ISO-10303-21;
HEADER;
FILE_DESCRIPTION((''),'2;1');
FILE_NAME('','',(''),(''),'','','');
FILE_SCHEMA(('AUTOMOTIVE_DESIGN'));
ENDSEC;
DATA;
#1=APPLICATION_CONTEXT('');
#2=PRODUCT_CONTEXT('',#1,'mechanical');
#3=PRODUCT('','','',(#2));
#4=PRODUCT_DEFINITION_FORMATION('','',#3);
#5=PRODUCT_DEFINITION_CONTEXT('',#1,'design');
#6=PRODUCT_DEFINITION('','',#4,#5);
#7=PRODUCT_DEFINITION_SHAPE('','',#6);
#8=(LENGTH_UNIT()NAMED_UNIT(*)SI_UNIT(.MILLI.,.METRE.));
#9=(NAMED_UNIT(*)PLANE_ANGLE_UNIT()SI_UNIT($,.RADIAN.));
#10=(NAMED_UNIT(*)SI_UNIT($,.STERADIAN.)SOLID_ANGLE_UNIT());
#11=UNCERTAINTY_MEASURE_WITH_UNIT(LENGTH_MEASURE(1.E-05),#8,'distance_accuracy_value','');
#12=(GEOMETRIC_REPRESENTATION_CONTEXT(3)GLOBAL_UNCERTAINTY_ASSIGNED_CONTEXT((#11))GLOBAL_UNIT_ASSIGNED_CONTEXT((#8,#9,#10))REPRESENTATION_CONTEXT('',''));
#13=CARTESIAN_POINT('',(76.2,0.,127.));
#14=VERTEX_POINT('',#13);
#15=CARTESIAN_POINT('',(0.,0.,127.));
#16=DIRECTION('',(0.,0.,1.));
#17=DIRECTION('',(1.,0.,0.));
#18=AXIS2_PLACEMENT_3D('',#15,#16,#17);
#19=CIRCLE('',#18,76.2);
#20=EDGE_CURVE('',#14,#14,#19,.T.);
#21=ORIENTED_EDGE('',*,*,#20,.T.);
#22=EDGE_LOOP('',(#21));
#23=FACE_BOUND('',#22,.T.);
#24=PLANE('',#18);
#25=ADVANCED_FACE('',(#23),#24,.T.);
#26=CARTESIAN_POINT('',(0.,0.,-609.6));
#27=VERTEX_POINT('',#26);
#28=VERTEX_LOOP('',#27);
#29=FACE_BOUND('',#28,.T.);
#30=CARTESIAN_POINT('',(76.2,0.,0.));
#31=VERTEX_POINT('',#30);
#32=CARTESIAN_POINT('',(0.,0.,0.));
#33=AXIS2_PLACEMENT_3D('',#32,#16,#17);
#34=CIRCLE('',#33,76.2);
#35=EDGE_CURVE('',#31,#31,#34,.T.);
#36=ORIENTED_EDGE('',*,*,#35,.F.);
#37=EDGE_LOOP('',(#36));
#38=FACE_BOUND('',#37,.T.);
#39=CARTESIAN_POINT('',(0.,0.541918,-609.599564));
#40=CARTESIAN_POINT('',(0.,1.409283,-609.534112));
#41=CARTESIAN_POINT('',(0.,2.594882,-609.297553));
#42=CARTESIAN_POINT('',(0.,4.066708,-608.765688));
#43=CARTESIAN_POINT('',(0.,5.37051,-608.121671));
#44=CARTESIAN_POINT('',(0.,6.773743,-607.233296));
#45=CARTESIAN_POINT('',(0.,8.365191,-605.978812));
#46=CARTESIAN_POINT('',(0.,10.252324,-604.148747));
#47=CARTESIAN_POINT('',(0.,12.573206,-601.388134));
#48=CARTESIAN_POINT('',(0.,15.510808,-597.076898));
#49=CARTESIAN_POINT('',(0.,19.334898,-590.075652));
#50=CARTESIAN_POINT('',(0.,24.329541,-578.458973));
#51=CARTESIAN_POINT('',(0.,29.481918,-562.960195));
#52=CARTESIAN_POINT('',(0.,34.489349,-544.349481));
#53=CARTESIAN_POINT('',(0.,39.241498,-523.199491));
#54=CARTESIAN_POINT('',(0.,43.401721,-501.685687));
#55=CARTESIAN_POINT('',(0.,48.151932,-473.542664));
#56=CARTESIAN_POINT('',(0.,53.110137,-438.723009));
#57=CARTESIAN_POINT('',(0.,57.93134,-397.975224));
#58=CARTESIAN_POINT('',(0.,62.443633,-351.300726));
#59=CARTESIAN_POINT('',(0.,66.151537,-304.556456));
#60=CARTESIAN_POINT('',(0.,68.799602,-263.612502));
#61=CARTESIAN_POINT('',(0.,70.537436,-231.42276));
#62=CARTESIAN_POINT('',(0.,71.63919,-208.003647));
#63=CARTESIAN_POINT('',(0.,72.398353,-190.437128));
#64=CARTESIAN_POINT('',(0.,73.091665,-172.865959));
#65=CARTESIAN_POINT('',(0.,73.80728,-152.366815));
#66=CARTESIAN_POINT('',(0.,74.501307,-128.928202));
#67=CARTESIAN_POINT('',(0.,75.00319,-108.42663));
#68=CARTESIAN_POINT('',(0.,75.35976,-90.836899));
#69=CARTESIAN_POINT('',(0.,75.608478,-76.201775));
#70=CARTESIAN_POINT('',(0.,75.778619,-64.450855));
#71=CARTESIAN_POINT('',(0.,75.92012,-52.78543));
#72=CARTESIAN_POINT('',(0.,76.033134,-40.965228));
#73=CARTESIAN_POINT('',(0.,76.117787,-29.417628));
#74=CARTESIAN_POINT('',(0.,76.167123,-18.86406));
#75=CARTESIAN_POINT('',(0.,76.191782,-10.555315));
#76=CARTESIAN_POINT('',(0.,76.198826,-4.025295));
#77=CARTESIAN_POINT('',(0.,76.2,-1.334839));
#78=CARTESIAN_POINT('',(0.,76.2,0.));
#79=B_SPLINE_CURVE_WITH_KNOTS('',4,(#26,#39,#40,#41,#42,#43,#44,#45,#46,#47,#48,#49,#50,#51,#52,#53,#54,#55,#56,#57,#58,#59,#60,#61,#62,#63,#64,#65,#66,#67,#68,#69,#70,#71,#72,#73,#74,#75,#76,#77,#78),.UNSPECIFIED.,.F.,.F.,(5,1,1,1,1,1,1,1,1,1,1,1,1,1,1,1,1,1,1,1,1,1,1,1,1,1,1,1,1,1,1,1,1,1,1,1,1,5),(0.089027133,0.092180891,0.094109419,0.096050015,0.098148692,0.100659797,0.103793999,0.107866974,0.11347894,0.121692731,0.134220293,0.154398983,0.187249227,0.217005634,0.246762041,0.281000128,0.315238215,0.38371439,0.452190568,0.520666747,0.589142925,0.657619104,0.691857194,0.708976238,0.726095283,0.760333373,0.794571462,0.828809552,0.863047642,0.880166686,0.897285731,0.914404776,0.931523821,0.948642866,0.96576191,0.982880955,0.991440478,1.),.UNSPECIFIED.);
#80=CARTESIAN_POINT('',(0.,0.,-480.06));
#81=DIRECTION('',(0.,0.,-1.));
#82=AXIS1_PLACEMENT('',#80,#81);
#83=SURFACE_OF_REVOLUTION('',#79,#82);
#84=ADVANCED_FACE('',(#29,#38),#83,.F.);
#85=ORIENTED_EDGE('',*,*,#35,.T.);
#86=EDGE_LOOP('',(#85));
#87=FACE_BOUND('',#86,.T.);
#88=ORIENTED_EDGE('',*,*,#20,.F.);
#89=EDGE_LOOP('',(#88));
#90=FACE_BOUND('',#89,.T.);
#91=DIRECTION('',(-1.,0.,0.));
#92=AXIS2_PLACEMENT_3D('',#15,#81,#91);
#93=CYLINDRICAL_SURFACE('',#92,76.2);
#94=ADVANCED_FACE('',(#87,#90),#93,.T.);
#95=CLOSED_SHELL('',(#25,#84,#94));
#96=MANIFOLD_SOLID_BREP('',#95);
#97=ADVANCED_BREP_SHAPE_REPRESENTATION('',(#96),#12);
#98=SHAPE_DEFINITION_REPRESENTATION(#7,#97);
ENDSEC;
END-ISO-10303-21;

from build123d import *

# Parameters (mm, degrees)
SKETCH2_R           = 76.2
BOSS_EXTRUDE1_DEPTH = 127


with BuildPart() as part:
    # Sketch1 → Revolve1 (revolve)
    with BuildSketch(Plane(origin=(0, 0, 0), x_dir=(0, 0, -1), z_dir=(1, 0, 0))):
        with BuildLine():
            Line((0, 76.2), (0, 0))
            Line((0, 0), (609.6, 0))
            add(Edge.make_bspline(
                [(0, 76.2), (1.334839127, 76.2), (4.025294656, 76.198825967), (10.555315298, 76.19178178), (18.864059538, 76.167123171), (29.417628107, 76.117787061), (40.965227515, 76.033133769), (52.78542989, 75.920119568), (64.450855104, 75.778619132), (76.201774547, 75.608477807), (90.836898521, 75.359759732), (108.426630228, 75.003190064), (128.928201741, 74.50130726), (152.366814588, 73.807280443), (172.865959474, 73.091665079), (190.437128474, 72.398352623), (208.00364725, 71.639189664), (231.422760316, 70.537435589), (263.612501761, 68.799602068), (304.556456434, 66.151537199), (351.300725766, 62.443633194), (397.975224103, 57.931340388), (438.723008806, 53.110136512), (473.542663933, 48.15193198), (501.685686908, 43.401720584), (523.199490669, 39.241498072), (544.34948081, 34.489348514), (562.960195372, 29.481918023), (578.458973018, 24.329540963), (590.075652245, 19.334897623), (597.076898444, 15.510808376), (601.388134479, 12.573206028), (604.148746676, 10.252323678), (605.978811573, 8.365191325), (607.233296472, 6.773743467), (608.121671405, 5.370509631), (608.765687549, 4.066708422), (609.29755338, 2.594881785), (609.53411228, 1.409283445), (609.599563682, 0.541918222), (609.6, 0)],
                knots=[0.089027133, 0.089027133, 0.089027133, 0.089027133, 0.089027133, 0.097586656, 0.106146178, 0.123265223, 0.140384268, 0.157503313, 0.174622357, 0.191741402, 0.208860447, 0.225979492, 0.260217581, 0.294455671, 0.328693761, 0.36293185, 0.380050895, 0.39716994, 0.43140803, 0.499884208, 0.568360387, 0.636836565, 0.705312743, 0.773788919, 0.808027005, 0.842265092, 0.872021499, 0.901777906, 0.93462815, 0.954806841, 0.967334402, 0.975548193, 0.981160159, 0.985233135, 0.988367336, 0.990878441, 0.992977119, 0.994917714, 0.996846243, 1, 1, 1, 1, 1], degree=4))
        make_face()
    revolve(axis=Axis((0, 0, -480.06), (0, 0, 1)))

    # Sketch2 → Boss-Extrude1 (add)
    with BuildSketch(Plane.XY):
        Circle(SKETCH2_R)
    extrude(amount=BOSS_EXTRUDE1_DEPTH)


solid = part.part
